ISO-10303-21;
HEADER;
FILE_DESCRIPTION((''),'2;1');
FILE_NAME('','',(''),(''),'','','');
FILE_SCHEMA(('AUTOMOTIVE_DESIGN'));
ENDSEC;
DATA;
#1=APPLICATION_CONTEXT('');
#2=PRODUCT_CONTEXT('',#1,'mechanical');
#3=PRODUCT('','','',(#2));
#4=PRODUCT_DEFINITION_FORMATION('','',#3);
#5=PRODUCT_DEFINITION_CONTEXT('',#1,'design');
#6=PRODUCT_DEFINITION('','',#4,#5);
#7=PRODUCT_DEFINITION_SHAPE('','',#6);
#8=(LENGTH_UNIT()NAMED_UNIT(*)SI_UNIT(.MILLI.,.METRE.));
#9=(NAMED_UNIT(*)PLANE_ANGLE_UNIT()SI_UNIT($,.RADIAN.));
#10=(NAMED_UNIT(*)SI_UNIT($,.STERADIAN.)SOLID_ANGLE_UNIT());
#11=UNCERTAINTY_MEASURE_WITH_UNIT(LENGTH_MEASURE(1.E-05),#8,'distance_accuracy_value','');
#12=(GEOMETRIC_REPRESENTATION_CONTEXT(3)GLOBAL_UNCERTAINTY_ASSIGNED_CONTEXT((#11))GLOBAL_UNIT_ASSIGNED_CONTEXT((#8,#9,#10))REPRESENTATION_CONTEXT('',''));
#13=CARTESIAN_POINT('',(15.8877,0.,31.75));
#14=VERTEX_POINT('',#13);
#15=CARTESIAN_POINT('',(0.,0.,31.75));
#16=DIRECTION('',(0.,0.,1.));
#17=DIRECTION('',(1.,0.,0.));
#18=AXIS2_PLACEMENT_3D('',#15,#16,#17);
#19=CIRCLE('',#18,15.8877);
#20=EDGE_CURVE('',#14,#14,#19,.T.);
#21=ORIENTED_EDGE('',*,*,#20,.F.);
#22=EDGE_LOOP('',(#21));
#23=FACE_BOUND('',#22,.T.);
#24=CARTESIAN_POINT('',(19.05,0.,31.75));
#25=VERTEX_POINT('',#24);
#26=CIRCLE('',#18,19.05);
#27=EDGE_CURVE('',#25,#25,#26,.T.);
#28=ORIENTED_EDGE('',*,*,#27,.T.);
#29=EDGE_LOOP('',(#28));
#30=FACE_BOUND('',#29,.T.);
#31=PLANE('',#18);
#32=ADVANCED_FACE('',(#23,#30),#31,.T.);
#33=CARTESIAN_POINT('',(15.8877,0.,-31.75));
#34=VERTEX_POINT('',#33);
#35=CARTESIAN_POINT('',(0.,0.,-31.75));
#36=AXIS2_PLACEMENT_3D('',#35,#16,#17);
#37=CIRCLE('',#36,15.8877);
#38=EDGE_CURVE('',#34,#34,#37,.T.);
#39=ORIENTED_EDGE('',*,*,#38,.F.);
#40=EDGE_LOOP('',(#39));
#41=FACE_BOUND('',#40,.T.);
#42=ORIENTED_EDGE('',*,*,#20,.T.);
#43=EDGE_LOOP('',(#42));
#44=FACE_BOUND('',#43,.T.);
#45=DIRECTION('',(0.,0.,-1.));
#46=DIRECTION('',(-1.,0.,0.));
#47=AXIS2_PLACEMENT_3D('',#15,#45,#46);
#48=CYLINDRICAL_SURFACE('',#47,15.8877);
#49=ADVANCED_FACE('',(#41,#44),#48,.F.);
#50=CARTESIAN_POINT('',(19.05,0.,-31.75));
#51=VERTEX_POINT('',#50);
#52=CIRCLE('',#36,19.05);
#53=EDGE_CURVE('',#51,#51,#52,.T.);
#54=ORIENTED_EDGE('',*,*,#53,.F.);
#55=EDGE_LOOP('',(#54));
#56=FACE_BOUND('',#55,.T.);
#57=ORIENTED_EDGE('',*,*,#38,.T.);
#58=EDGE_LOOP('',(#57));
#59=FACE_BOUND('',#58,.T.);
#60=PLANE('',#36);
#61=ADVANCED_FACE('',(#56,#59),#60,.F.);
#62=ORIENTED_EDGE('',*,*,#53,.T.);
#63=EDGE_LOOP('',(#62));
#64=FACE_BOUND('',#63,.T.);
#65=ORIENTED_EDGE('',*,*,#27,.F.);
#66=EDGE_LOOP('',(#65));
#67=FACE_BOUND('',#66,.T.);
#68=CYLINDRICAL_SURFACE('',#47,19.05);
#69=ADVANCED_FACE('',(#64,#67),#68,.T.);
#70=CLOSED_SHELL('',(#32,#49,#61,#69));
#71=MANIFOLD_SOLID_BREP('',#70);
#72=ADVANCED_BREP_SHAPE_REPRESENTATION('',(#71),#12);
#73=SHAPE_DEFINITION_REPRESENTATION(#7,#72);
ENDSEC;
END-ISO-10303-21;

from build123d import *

# Parameters (mm, degrees)
SKETCH1_R      = 19.05
SKETCH1_R_2    = 15.8877
EXTRUDE1_DEPTH = 31.75


with BuildPart() as part:
    # Sketch1 → Extrude1 (new body, symmetric)
    with BuildSketch(Plane.XY):
        Circle(SKETCH1_R)
        Circle(SKETCH1_R_2, mode=Mode.SUBTRACT)
    extrude(amount=EXTRUDE1_DEPTH, both=True)


solid = part.part
